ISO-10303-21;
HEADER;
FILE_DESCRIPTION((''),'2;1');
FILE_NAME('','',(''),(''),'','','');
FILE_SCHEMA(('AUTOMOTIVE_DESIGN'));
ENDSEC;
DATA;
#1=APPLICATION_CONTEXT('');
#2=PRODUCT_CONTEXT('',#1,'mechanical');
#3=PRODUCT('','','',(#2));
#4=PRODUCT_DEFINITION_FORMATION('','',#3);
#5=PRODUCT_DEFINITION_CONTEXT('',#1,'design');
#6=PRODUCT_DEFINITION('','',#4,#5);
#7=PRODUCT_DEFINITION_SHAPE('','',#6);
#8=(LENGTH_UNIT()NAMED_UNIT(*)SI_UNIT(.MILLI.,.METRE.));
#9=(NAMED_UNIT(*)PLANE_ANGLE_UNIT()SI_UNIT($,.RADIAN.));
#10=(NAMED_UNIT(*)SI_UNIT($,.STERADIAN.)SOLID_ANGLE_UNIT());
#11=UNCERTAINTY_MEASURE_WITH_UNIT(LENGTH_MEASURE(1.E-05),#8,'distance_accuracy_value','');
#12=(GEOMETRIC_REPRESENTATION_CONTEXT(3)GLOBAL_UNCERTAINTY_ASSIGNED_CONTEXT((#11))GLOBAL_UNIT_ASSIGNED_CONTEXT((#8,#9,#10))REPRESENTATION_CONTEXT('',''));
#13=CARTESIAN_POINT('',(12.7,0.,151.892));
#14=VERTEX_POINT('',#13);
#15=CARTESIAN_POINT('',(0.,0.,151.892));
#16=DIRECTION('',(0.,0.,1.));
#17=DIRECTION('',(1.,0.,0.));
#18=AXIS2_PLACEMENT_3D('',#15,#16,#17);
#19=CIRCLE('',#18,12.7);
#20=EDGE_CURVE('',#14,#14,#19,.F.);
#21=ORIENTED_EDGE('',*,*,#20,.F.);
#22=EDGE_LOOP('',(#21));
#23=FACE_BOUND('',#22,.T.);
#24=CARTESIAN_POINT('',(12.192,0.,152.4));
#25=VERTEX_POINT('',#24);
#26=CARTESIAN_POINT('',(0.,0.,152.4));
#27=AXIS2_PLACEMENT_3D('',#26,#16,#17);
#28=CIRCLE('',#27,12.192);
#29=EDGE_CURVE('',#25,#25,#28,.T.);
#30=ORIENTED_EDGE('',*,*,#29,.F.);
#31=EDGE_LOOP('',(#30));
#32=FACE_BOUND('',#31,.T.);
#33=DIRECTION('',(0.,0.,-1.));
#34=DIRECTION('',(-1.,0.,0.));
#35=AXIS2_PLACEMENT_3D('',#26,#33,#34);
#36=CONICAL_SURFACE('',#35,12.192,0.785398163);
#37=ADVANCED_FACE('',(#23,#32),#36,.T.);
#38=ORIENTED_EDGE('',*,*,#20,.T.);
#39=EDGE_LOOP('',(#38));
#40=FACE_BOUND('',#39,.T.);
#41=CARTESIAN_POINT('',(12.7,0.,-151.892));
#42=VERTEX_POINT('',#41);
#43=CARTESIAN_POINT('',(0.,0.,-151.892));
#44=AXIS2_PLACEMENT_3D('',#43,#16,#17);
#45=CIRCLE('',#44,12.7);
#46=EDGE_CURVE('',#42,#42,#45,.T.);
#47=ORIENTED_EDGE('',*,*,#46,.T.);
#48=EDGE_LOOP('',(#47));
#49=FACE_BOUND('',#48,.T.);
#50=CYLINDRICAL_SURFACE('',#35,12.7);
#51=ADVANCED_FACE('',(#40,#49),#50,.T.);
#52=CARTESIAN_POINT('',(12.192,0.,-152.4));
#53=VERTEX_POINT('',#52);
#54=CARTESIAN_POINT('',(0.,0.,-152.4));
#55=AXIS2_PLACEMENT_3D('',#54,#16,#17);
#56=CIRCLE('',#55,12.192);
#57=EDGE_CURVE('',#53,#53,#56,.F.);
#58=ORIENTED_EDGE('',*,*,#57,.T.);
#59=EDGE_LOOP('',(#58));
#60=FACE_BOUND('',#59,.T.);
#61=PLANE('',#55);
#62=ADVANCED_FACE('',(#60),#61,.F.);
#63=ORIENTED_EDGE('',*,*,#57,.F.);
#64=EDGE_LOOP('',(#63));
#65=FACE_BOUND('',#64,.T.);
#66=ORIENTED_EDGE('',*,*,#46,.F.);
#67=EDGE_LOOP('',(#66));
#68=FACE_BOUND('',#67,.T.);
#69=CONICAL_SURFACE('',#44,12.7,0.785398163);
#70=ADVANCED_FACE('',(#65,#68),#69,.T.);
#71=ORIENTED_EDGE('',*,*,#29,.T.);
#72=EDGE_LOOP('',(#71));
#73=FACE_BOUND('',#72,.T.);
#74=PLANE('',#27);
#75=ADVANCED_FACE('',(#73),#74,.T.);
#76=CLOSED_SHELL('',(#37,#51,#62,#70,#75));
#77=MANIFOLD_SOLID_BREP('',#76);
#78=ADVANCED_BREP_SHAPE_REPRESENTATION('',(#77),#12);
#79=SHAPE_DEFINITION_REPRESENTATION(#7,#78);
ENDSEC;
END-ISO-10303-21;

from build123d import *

# Parameters (mm, degrees)
SKETCH3_R                = 12.7
BOSS_EXTRUDE1_DEPTH      = 152.4
BOSS_EXTRUDE1_DEPTH_BACK = 152.4
CHAMFER1_SIZE            = 0.508


with BuildPart() as part:
    # Sketch3 → Boss-Extrude1 (new body, two sides)
    with BuildSketch(Plane.XY) as boss_extrude1_sk:
        Circle(SKETCH3_R)
    extrude(amount=BOSS_EXTRUDE1_DEPTH)
    extrude(boss_extrude1_sk.sketch, amount=-BOSS_EXTRUDE1_DEPTH_BACK)

    # Chamfer1
    chamfer1_edges = [part.edges().sort_by_distance(p)[0] for p in [
        (-12.7, 0, -152.4),
        (-12.7, 0, 152.4),
    ]]
    chamfer(chamfer1_edges, length=CHAMFER1_SIZE)


solid = part.part
